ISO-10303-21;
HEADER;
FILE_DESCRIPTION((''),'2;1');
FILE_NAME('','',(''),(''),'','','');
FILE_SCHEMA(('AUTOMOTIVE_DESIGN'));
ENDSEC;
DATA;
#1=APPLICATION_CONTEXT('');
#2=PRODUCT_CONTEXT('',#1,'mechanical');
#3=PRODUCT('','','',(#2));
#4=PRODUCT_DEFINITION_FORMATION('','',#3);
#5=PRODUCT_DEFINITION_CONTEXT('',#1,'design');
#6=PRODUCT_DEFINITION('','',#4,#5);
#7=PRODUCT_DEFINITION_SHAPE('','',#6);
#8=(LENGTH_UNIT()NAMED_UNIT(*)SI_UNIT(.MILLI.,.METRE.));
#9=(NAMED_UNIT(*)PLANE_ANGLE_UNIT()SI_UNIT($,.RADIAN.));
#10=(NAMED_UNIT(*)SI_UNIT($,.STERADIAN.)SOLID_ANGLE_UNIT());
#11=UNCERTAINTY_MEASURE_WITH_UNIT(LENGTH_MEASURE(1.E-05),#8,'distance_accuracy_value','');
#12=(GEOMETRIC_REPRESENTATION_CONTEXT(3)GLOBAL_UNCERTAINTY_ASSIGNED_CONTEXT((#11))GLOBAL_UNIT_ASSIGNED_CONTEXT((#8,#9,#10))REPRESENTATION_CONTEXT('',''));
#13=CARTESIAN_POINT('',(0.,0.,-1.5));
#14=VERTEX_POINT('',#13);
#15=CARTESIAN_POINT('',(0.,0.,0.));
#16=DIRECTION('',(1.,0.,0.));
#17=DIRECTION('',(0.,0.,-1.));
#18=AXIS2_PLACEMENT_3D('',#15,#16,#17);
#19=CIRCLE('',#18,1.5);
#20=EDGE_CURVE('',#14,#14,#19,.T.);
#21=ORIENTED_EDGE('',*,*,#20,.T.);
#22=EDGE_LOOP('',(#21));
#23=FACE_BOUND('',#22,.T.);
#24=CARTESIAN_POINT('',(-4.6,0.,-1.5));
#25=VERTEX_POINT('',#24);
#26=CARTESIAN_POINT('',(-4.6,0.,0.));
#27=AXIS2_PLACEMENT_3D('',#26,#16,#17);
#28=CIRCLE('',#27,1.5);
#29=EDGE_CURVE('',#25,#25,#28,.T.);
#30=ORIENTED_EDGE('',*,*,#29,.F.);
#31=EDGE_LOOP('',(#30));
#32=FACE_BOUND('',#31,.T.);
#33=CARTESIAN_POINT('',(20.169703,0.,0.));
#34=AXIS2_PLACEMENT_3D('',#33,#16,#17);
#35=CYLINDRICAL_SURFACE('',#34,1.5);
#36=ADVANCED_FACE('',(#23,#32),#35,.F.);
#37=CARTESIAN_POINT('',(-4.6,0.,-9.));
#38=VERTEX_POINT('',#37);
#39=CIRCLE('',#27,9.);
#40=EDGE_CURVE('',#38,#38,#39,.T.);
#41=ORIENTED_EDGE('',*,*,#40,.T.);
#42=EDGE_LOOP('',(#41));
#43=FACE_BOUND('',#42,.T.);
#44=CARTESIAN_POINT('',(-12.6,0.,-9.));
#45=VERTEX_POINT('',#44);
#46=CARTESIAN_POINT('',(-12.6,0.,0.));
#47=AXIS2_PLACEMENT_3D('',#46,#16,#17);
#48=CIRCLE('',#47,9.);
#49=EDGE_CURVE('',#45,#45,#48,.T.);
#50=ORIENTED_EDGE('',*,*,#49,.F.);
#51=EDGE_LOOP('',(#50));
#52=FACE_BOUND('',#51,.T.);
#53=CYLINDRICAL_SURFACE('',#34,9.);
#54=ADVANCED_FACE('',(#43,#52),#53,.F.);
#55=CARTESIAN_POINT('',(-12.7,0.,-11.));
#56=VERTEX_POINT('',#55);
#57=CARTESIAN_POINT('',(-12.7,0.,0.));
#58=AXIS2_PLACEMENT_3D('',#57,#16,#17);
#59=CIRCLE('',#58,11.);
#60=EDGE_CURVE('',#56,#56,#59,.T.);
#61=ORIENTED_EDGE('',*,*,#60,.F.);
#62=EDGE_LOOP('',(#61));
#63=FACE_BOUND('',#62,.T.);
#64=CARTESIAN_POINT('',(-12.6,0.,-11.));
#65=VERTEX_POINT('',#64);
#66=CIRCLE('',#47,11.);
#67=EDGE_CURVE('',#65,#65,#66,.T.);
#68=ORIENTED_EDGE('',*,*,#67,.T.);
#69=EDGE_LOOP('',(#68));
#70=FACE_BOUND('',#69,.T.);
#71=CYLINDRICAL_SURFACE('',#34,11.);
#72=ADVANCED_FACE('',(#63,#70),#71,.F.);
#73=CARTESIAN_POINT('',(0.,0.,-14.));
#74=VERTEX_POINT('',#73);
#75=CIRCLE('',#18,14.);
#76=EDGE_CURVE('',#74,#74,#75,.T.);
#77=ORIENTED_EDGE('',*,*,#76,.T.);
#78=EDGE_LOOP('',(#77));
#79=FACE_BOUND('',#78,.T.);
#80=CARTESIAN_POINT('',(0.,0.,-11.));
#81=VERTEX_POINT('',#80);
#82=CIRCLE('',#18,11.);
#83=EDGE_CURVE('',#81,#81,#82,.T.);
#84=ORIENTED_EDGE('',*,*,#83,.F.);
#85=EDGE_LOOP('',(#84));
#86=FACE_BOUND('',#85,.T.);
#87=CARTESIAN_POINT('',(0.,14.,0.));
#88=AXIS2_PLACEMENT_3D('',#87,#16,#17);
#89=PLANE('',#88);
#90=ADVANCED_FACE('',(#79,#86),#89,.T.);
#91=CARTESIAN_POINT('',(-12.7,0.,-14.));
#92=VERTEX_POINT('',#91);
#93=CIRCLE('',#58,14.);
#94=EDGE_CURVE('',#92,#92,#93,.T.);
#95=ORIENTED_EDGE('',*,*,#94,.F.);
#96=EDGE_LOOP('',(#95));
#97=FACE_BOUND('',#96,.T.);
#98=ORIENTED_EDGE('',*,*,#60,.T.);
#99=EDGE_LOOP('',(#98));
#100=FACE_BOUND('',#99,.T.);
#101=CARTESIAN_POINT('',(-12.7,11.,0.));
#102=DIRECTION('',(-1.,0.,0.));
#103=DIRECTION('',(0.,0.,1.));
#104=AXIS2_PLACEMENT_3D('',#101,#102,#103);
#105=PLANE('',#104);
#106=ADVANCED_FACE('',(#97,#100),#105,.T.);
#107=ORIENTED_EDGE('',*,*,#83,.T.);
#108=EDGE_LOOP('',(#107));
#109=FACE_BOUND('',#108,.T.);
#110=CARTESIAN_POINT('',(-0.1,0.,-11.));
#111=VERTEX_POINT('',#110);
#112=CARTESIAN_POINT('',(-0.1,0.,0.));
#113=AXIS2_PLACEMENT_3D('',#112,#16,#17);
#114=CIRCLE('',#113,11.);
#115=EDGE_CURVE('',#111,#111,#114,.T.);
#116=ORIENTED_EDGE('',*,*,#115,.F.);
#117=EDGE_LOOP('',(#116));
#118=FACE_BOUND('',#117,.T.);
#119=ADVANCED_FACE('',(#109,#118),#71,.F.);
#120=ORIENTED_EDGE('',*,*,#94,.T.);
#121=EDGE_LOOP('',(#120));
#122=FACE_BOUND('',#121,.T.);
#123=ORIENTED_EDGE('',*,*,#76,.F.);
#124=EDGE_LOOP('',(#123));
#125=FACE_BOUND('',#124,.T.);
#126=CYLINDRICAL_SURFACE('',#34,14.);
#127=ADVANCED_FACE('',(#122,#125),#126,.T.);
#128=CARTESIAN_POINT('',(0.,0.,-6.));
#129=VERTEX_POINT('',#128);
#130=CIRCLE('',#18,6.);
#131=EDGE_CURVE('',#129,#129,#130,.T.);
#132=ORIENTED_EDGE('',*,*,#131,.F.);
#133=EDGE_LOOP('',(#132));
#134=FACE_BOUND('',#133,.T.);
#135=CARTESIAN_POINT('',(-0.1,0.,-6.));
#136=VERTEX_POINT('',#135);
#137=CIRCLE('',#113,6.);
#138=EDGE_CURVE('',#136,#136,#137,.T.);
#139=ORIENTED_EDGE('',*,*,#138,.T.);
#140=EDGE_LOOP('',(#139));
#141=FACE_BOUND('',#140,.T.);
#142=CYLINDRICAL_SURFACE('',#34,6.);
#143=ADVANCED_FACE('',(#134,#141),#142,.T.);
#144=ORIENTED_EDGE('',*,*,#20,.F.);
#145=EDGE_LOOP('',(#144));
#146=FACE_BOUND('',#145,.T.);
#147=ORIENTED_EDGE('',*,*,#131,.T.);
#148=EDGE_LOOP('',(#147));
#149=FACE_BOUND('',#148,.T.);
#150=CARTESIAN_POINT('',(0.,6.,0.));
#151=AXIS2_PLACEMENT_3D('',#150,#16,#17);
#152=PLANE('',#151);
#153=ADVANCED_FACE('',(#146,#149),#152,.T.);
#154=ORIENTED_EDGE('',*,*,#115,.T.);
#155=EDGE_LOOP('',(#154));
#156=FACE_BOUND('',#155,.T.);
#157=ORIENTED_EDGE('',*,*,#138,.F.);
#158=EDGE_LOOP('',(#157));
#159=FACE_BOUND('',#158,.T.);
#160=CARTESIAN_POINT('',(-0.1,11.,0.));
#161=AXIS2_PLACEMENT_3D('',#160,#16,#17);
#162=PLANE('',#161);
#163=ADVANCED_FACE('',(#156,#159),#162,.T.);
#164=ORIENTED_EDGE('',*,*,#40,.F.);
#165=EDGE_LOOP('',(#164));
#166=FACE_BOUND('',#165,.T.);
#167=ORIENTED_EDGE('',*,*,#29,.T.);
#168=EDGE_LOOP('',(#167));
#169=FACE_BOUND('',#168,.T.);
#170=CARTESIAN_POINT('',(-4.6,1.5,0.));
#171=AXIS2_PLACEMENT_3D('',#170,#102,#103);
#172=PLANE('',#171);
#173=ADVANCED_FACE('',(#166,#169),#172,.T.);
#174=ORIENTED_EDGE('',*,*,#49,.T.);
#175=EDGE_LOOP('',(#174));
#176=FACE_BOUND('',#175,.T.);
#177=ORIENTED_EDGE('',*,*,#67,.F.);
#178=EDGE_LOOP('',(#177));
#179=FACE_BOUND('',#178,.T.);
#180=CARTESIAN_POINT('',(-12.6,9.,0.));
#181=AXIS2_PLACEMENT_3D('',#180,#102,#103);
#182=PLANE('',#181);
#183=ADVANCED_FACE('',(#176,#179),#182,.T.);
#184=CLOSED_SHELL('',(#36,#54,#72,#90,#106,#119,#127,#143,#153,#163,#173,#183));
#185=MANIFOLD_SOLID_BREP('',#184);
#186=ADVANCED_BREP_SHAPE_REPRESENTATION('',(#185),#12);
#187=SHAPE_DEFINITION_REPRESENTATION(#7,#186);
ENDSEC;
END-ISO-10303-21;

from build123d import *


with BuildPart() as part:
    # Esquisse1 → Révolution1 (revolve)
    with BuildSketch(Plane.XY):
        Polygon((-12.7, 14), (0, 14), (0, 11), (-0.1, 11), (-0.1, 6), (0, 6), (0, 1.5), (-4.6, 1.5), (-4.6, 9), (-12.6, 9), (-12.6, 11), (-12.7, 11), align=None)
    revolve(axis=Axis((20.169702695, 0, 0), (-1, 0, 0)))


solid = part.part
